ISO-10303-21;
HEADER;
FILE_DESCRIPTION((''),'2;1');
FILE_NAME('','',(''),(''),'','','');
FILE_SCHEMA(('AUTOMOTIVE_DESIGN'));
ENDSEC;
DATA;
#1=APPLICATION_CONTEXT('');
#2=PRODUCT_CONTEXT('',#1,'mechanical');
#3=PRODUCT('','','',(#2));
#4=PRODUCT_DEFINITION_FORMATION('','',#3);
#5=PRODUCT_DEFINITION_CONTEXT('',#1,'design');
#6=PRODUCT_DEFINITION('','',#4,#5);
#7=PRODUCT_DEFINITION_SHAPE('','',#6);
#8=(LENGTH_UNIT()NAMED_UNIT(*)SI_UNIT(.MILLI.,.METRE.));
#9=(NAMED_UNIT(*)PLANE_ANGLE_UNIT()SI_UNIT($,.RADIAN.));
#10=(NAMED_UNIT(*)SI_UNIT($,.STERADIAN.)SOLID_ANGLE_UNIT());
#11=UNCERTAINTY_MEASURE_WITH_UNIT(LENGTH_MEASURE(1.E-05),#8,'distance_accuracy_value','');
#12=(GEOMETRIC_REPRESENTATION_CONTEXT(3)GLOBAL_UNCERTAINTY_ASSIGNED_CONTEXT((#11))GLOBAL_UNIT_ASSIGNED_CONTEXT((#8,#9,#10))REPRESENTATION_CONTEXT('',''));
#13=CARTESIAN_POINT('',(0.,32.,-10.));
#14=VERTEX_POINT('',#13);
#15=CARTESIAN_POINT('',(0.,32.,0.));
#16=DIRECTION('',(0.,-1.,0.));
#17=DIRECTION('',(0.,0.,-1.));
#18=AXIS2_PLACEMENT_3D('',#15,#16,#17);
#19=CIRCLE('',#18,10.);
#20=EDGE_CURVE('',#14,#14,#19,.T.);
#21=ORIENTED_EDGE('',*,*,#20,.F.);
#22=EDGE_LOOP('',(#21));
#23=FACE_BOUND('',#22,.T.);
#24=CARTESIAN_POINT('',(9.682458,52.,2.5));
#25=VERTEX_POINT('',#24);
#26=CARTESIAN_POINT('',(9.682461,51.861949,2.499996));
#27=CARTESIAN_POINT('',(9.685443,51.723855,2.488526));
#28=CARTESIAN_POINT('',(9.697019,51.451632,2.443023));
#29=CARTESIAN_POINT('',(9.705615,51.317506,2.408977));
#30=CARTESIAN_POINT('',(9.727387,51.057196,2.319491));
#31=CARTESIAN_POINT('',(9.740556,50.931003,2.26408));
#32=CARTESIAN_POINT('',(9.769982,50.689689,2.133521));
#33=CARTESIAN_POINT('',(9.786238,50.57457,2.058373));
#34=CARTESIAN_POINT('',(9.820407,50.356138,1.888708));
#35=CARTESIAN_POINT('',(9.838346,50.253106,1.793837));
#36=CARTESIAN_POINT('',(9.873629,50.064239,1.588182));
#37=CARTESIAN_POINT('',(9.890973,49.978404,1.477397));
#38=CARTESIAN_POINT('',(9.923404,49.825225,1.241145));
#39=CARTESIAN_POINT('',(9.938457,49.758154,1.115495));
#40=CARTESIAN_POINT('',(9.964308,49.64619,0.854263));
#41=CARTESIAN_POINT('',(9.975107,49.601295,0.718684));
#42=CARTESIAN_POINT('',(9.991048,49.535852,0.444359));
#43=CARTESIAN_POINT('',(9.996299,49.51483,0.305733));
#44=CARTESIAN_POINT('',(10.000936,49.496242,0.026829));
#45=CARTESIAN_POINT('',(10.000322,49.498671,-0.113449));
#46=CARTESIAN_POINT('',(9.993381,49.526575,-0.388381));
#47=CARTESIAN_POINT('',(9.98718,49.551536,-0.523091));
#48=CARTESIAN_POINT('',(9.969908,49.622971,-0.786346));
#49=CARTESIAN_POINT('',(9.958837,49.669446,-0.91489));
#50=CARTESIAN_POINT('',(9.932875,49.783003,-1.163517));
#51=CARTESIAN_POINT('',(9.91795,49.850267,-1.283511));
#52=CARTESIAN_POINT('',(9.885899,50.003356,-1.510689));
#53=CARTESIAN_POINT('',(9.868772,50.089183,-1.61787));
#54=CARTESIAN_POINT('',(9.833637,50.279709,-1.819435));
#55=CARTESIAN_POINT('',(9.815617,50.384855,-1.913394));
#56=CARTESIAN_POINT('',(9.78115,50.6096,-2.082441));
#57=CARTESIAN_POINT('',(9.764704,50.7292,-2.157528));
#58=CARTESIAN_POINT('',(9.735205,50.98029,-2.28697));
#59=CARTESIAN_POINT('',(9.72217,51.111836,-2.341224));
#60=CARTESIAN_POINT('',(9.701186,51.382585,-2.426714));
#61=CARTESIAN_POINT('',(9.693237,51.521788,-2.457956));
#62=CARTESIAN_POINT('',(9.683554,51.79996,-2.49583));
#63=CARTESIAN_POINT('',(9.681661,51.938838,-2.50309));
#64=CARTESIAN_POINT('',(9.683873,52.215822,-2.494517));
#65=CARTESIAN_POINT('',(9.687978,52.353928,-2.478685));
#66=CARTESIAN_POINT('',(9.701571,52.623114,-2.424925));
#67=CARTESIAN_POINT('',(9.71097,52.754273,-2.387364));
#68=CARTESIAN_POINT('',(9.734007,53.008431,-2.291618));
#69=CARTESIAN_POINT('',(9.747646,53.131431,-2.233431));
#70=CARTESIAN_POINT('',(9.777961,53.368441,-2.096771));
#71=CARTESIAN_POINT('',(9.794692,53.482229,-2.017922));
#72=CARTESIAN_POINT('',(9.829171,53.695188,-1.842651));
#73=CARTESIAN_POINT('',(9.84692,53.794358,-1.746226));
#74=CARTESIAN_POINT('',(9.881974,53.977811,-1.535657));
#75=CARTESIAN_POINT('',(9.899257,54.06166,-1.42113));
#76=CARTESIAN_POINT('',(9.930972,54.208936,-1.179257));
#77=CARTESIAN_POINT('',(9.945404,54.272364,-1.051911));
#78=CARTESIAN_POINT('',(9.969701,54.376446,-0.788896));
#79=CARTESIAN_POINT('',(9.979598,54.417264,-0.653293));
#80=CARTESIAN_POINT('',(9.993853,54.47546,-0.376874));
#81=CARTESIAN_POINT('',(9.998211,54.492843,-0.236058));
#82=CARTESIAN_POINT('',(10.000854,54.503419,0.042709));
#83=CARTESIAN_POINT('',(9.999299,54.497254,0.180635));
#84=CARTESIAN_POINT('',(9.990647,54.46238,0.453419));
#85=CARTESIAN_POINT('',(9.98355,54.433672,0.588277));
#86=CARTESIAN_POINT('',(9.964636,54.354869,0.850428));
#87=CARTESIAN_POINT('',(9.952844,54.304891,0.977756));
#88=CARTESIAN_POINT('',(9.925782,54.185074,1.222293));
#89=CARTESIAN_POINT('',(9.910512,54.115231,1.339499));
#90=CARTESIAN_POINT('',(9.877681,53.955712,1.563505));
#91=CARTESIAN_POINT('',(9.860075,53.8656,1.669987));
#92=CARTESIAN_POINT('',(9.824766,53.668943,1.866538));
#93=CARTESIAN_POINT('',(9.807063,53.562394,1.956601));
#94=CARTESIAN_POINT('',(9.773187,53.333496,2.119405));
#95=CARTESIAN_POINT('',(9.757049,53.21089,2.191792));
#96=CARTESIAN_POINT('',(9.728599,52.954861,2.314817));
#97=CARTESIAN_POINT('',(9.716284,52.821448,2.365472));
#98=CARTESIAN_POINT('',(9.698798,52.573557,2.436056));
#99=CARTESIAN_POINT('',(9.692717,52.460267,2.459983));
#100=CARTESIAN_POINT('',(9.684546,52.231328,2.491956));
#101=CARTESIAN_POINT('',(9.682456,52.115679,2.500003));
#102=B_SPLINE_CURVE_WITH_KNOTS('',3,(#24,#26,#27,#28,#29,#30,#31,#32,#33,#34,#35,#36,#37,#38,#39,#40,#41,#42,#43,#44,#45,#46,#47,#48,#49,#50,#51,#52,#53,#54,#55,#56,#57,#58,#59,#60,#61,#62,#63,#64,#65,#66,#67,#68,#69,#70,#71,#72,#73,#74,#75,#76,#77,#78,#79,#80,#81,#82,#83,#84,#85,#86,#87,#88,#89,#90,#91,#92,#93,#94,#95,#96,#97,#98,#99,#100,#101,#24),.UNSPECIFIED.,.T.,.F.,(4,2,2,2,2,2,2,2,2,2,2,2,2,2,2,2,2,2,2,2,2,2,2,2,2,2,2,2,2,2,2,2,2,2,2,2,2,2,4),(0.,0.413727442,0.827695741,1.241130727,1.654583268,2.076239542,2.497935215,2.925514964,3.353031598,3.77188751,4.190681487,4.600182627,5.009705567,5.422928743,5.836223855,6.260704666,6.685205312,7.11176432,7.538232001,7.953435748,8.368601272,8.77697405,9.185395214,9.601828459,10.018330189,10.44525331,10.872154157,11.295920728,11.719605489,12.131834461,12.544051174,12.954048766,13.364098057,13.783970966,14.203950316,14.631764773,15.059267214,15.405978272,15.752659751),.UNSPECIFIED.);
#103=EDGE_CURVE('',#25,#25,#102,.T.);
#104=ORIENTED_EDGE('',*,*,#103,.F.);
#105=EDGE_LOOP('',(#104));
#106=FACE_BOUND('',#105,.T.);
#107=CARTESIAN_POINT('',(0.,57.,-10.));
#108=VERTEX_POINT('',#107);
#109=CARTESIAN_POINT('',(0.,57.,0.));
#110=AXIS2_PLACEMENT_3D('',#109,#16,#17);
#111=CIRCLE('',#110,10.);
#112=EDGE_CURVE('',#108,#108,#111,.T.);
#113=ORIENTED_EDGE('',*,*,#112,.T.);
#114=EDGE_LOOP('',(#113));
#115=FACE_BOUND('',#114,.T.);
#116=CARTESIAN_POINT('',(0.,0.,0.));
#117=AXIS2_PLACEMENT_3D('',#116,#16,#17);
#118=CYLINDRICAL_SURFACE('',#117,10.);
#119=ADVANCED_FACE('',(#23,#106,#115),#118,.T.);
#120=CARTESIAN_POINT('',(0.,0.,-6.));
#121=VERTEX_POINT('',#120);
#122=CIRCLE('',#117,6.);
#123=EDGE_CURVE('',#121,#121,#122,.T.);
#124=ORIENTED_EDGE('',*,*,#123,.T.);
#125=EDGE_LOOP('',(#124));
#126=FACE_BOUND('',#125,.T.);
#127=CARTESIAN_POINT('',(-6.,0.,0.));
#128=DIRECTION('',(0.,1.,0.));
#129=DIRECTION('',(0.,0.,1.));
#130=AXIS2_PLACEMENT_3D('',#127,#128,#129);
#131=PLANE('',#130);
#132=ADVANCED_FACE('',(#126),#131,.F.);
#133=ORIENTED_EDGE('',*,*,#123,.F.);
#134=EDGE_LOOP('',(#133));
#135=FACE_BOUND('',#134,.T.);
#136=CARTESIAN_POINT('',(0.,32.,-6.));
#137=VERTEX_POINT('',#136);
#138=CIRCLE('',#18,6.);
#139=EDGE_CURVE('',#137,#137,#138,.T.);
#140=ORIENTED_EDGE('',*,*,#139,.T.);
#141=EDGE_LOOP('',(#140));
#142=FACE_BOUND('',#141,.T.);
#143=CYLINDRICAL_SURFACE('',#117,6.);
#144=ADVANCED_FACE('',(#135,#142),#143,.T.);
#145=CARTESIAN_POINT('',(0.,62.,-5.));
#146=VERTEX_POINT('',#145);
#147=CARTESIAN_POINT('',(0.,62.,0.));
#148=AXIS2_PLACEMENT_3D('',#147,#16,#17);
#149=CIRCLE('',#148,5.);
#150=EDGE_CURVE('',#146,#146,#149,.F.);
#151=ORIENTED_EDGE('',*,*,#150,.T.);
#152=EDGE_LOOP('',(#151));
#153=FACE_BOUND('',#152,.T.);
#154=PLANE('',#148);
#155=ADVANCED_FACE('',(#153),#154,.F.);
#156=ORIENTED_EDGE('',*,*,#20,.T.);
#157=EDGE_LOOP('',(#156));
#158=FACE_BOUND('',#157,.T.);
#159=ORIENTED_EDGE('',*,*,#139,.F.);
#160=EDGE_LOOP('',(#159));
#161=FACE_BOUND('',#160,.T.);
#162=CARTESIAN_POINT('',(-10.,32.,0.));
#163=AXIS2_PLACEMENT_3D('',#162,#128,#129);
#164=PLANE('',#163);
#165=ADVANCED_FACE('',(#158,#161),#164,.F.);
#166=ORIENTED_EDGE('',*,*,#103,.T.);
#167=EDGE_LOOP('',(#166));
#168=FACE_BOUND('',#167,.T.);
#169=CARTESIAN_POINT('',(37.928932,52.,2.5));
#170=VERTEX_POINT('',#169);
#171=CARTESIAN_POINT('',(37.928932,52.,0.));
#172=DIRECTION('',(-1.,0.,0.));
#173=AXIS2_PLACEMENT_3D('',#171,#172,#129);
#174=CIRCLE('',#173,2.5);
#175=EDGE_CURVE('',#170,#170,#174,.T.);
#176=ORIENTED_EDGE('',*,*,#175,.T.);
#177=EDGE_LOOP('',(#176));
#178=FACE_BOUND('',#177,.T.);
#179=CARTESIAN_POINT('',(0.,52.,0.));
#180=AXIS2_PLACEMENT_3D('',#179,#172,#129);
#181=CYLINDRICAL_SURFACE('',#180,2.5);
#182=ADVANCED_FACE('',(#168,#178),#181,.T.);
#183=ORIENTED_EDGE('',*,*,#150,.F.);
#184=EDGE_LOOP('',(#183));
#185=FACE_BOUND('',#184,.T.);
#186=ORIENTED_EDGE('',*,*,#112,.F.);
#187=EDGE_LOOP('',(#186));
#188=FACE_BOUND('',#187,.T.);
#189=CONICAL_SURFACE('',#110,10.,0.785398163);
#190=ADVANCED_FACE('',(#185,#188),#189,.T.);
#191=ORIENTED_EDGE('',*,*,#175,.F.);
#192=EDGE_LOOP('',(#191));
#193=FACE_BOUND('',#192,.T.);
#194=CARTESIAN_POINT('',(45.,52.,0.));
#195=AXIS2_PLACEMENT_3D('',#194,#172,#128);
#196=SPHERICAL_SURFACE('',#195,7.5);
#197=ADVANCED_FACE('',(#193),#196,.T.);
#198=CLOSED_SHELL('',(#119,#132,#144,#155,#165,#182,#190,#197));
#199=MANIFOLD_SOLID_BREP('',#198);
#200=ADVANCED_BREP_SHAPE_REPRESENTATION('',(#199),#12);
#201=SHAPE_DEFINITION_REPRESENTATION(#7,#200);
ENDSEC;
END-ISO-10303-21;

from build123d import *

# Parameters (mm, degrees)
CHAMFER1_SIZE = 5


with BuildPart() as part:
    # Sketch1 → Revolve1 (revolve)
    with BuildSketch(Plane.XY, mode=Mode.PRIVATE) as revolve1_sk:
        Polygon((0, 0), (0, 62), (-10, 62), (-10, 32), (-6, 32), (-6, 0), align=None)
    revolve(revolve1_sk.sketch.rotate(Axis((0, 0, 0), (0, 1, 0)), 270), axis=Axis((0, 0, 0), (0, 1, 0)))

    # Chamfer1
    chamfer1_edges = [part.edges().sort_by_distance(p)[0] for p in [
        (0, 62, 10),
    ]]
    chamfer(chamfer1_edges, length=CHAMFER1_SIZE)

    # Sketch2 → Revolve2 (revolve)
    with BuildSketch(Plane.XY, mode=Mode.PRIVATE) as revolve2_sk:
        with BuildLine():
            Line((0, 54.5), (0, 52))
            Line((0, 52), (52.5, 52))
            ThreePointArc((52.5, 52), (46.26826484, 59.391989197), (37.928932188, 54.5))
            Line((37.928932188, 54.5), (0, 54.5))
        make_face()
    revolve(revolve2_sk.sketch.rotate(Axis((0, 52, 0), (1, 0, 0)), 90), axis=Axis((0, 52, 0), (1, 0, 0)))


solid = part.part
